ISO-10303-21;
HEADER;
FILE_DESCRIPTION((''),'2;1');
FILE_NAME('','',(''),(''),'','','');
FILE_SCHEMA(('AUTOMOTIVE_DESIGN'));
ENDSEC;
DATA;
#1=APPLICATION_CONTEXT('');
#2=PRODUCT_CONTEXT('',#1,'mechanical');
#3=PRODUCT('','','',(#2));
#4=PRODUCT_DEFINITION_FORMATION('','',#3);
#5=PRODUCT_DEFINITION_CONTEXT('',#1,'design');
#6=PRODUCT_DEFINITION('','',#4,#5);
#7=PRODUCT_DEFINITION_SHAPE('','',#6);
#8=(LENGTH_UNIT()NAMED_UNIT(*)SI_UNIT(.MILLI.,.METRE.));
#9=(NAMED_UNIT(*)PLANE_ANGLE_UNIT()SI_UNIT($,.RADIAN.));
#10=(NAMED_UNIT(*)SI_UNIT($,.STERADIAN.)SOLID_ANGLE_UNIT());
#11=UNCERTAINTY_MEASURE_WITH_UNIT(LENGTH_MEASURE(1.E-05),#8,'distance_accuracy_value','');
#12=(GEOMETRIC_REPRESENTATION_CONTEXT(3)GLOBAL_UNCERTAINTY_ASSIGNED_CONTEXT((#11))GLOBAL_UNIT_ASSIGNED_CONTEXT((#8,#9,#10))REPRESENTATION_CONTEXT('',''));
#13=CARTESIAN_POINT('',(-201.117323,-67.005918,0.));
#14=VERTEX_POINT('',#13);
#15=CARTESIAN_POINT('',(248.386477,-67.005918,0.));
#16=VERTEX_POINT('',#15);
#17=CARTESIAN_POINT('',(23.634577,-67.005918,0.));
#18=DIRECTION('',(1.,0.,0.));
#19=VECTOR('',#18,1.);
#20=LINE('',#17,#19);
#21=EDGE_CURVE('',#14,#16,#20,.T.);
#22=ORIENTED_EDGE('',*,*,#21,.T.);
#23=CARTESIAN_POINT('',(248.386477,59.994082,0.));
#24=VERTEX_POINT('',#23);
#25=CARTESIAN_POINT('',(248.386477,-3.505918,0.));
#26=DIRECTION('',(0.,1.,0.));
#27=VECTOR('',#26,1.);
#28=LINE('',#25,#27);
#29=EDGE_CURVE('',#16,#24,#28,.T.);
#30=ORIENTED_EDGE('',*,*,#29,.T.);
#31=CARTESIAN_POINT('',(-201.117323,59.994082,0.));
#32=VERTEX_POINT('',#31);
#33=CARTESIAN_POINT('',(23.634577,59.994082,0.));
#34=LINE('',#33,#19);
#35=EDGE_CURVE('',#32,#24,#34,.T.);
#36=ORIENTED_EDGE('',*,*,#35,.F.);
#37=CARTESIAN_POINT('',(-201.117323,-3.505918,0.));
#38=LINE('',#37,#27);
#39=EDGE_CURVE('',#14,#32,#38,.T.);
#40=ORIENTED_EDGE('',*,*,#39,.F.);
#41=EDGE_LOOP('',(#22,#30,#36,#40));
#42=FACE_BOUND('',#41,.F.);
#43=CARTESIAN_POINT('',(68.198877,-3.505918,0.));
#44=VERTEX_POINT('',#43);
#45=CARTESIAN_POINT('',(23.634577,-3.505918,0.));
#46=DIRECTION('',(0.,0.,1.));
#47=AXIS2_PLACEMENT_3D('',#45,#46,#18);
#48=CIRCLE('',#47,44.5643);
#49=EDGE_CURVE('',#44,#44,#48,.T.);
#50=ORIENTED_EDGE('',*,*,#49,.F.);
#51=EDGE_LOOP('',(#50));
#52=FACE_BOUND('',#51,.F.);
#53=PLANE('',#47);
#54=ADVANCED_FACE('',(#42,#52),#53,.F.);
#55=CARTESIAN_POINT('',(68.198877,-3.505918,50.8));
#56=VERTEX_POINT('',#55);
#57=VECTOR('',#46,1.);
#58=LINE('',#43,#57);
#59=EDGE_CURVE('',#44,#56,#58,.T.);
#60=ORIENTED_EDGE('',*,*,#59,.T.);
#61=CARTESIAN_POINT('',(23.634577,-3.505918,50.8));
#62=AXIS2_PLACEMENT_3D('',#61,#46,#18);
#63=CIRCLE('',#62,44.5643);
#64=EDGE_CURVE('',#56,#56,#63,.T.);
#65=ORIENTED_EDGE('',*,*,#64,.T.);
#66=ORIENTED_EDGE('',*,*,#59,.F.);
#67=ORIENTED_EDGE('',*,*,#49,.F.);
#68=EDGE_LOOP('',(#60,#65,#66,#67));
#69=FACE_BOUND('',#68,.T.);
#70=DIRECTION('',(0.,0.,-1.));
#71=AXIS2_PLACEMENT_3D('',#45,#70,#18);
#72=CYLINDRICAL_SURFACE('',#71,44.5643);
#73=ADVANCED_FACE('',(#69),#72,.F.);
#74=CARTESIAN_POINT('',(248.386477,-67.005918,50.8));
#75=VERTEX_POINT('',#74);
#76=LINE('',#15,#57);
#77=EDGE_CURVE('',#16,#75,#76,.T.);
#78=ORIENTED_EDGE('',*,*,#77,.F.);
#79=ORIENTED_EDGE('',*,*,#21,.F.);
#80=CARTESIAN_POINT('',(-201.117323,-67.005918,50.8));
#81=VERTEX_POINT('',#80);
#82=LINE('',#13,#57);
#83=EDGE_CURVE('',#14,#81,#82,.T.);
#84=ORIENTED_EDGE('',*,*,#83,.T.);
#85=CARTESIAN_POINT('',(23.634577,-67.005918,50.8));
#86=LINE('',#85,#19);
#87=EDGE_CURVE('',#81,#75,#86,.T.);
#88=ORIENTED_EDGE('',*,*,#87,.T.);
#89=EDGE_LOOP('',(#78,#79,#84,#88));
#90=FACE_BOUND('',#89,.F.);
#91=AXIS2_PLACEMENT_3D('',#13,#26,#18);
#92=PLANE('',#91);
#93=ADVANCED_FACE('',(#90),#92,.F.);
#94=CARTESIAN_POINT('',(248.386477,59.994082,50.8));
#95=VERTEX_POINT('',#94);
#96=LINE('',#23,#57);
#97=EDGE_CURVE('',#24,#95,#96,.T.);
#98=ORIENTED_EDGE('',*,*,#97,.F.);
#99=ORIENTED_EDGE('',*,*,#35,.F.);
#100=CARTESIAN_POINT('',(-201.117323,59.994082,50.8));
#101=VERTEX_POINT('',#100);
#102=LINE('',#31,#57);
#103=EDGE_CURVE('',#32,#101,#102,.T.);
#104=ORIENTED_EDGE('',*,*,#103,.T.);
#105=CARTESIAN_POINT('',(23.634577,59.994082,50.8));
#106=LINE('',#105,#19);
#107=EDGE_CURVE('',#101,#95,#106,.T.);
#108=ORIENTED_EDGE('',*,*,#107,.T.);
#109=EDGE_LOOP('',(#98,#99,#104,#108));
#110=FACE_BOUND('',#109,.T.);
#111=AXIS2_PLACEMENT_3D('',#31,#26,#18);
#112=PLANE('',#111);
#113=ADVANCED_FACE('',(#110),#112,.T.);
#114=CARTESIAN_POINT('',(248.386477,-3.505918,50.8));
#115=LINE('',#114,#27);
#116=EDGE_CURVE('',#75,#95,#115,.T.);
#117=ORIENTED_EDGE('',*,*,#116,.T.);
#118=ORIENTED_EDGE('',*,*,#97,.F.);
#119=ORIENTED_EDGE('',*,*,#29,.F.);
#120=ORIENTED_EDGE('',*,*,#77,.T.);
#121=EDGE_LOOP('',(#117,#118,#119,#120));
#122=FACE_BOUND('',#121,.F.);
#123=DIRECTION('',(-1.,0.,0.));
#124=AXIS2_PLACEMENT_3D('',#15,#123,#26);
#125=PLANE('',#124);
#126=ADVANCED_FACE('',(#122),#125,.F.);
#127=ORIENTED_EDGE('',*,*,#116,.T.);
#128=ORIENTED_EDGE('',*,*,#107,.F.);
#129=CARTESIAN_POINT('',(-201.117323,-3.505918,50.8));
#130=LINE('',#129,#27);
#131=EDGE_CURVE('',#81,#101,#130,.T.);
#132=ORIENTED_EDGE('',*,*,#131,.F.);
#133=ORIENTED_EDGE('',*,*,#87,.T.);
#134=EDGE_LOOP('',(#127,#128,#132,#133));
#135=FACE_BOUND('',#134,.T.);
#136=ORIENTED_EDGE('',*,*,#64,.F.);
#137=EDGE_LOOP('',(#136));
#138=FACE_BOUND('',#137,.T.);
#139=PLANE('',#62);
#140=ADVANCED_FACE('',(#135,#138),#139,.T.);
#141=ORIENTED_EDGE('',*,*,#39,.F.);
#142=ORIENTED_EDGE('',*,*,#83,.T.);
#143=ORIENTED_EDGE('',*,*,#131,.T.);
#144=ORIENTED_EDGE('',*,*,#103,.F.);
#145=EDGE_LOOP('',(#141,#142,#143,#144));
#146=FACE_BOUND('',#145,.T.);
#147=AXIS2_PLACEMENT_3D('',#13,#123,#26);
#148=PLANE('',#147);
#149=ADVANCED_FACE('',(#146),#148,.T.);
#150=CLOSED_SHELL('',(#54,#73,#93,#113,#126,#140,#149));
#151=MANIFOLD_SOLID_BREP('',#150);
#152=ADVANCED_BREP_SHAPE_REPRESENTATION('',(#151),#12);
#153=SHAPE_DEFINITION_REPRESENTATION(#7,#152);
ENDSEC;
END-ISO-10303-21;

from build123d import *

# Parameters (mm, degrees)
F0_W     = 449.5038
F0_H     = 127
F0_R     = 44.5643
F1_DEPTH = 50.8
F2_DEPTH = 50.8


with BuildPart() as f1:
    # F0 (on Top) → F1 (new body)
    with BuildSketch(Plane.XY):
        with Locations((23.634577, -3.505918)):
            Rectangle(F0_W, F0_H)
        with Locations((23.634577, -3.505918)):
            Circle(F0_R, mode=Mode.SUBTRACT)
    extrude(amount=F1_DEPTH)

    # F0 (on Top) → F2 (join)
    with BuildSketch(Plane.XY):
        with Locations((23.634577, -3.505918)):
            Rectangle(F0_W, F0_H)
        with Locations((23.634577, -3.505918)):
            Circle(F0_R, mode=Mode.SUBTRACT)
    extrude(amount=F2_DEPTH)


solid = f1.part
